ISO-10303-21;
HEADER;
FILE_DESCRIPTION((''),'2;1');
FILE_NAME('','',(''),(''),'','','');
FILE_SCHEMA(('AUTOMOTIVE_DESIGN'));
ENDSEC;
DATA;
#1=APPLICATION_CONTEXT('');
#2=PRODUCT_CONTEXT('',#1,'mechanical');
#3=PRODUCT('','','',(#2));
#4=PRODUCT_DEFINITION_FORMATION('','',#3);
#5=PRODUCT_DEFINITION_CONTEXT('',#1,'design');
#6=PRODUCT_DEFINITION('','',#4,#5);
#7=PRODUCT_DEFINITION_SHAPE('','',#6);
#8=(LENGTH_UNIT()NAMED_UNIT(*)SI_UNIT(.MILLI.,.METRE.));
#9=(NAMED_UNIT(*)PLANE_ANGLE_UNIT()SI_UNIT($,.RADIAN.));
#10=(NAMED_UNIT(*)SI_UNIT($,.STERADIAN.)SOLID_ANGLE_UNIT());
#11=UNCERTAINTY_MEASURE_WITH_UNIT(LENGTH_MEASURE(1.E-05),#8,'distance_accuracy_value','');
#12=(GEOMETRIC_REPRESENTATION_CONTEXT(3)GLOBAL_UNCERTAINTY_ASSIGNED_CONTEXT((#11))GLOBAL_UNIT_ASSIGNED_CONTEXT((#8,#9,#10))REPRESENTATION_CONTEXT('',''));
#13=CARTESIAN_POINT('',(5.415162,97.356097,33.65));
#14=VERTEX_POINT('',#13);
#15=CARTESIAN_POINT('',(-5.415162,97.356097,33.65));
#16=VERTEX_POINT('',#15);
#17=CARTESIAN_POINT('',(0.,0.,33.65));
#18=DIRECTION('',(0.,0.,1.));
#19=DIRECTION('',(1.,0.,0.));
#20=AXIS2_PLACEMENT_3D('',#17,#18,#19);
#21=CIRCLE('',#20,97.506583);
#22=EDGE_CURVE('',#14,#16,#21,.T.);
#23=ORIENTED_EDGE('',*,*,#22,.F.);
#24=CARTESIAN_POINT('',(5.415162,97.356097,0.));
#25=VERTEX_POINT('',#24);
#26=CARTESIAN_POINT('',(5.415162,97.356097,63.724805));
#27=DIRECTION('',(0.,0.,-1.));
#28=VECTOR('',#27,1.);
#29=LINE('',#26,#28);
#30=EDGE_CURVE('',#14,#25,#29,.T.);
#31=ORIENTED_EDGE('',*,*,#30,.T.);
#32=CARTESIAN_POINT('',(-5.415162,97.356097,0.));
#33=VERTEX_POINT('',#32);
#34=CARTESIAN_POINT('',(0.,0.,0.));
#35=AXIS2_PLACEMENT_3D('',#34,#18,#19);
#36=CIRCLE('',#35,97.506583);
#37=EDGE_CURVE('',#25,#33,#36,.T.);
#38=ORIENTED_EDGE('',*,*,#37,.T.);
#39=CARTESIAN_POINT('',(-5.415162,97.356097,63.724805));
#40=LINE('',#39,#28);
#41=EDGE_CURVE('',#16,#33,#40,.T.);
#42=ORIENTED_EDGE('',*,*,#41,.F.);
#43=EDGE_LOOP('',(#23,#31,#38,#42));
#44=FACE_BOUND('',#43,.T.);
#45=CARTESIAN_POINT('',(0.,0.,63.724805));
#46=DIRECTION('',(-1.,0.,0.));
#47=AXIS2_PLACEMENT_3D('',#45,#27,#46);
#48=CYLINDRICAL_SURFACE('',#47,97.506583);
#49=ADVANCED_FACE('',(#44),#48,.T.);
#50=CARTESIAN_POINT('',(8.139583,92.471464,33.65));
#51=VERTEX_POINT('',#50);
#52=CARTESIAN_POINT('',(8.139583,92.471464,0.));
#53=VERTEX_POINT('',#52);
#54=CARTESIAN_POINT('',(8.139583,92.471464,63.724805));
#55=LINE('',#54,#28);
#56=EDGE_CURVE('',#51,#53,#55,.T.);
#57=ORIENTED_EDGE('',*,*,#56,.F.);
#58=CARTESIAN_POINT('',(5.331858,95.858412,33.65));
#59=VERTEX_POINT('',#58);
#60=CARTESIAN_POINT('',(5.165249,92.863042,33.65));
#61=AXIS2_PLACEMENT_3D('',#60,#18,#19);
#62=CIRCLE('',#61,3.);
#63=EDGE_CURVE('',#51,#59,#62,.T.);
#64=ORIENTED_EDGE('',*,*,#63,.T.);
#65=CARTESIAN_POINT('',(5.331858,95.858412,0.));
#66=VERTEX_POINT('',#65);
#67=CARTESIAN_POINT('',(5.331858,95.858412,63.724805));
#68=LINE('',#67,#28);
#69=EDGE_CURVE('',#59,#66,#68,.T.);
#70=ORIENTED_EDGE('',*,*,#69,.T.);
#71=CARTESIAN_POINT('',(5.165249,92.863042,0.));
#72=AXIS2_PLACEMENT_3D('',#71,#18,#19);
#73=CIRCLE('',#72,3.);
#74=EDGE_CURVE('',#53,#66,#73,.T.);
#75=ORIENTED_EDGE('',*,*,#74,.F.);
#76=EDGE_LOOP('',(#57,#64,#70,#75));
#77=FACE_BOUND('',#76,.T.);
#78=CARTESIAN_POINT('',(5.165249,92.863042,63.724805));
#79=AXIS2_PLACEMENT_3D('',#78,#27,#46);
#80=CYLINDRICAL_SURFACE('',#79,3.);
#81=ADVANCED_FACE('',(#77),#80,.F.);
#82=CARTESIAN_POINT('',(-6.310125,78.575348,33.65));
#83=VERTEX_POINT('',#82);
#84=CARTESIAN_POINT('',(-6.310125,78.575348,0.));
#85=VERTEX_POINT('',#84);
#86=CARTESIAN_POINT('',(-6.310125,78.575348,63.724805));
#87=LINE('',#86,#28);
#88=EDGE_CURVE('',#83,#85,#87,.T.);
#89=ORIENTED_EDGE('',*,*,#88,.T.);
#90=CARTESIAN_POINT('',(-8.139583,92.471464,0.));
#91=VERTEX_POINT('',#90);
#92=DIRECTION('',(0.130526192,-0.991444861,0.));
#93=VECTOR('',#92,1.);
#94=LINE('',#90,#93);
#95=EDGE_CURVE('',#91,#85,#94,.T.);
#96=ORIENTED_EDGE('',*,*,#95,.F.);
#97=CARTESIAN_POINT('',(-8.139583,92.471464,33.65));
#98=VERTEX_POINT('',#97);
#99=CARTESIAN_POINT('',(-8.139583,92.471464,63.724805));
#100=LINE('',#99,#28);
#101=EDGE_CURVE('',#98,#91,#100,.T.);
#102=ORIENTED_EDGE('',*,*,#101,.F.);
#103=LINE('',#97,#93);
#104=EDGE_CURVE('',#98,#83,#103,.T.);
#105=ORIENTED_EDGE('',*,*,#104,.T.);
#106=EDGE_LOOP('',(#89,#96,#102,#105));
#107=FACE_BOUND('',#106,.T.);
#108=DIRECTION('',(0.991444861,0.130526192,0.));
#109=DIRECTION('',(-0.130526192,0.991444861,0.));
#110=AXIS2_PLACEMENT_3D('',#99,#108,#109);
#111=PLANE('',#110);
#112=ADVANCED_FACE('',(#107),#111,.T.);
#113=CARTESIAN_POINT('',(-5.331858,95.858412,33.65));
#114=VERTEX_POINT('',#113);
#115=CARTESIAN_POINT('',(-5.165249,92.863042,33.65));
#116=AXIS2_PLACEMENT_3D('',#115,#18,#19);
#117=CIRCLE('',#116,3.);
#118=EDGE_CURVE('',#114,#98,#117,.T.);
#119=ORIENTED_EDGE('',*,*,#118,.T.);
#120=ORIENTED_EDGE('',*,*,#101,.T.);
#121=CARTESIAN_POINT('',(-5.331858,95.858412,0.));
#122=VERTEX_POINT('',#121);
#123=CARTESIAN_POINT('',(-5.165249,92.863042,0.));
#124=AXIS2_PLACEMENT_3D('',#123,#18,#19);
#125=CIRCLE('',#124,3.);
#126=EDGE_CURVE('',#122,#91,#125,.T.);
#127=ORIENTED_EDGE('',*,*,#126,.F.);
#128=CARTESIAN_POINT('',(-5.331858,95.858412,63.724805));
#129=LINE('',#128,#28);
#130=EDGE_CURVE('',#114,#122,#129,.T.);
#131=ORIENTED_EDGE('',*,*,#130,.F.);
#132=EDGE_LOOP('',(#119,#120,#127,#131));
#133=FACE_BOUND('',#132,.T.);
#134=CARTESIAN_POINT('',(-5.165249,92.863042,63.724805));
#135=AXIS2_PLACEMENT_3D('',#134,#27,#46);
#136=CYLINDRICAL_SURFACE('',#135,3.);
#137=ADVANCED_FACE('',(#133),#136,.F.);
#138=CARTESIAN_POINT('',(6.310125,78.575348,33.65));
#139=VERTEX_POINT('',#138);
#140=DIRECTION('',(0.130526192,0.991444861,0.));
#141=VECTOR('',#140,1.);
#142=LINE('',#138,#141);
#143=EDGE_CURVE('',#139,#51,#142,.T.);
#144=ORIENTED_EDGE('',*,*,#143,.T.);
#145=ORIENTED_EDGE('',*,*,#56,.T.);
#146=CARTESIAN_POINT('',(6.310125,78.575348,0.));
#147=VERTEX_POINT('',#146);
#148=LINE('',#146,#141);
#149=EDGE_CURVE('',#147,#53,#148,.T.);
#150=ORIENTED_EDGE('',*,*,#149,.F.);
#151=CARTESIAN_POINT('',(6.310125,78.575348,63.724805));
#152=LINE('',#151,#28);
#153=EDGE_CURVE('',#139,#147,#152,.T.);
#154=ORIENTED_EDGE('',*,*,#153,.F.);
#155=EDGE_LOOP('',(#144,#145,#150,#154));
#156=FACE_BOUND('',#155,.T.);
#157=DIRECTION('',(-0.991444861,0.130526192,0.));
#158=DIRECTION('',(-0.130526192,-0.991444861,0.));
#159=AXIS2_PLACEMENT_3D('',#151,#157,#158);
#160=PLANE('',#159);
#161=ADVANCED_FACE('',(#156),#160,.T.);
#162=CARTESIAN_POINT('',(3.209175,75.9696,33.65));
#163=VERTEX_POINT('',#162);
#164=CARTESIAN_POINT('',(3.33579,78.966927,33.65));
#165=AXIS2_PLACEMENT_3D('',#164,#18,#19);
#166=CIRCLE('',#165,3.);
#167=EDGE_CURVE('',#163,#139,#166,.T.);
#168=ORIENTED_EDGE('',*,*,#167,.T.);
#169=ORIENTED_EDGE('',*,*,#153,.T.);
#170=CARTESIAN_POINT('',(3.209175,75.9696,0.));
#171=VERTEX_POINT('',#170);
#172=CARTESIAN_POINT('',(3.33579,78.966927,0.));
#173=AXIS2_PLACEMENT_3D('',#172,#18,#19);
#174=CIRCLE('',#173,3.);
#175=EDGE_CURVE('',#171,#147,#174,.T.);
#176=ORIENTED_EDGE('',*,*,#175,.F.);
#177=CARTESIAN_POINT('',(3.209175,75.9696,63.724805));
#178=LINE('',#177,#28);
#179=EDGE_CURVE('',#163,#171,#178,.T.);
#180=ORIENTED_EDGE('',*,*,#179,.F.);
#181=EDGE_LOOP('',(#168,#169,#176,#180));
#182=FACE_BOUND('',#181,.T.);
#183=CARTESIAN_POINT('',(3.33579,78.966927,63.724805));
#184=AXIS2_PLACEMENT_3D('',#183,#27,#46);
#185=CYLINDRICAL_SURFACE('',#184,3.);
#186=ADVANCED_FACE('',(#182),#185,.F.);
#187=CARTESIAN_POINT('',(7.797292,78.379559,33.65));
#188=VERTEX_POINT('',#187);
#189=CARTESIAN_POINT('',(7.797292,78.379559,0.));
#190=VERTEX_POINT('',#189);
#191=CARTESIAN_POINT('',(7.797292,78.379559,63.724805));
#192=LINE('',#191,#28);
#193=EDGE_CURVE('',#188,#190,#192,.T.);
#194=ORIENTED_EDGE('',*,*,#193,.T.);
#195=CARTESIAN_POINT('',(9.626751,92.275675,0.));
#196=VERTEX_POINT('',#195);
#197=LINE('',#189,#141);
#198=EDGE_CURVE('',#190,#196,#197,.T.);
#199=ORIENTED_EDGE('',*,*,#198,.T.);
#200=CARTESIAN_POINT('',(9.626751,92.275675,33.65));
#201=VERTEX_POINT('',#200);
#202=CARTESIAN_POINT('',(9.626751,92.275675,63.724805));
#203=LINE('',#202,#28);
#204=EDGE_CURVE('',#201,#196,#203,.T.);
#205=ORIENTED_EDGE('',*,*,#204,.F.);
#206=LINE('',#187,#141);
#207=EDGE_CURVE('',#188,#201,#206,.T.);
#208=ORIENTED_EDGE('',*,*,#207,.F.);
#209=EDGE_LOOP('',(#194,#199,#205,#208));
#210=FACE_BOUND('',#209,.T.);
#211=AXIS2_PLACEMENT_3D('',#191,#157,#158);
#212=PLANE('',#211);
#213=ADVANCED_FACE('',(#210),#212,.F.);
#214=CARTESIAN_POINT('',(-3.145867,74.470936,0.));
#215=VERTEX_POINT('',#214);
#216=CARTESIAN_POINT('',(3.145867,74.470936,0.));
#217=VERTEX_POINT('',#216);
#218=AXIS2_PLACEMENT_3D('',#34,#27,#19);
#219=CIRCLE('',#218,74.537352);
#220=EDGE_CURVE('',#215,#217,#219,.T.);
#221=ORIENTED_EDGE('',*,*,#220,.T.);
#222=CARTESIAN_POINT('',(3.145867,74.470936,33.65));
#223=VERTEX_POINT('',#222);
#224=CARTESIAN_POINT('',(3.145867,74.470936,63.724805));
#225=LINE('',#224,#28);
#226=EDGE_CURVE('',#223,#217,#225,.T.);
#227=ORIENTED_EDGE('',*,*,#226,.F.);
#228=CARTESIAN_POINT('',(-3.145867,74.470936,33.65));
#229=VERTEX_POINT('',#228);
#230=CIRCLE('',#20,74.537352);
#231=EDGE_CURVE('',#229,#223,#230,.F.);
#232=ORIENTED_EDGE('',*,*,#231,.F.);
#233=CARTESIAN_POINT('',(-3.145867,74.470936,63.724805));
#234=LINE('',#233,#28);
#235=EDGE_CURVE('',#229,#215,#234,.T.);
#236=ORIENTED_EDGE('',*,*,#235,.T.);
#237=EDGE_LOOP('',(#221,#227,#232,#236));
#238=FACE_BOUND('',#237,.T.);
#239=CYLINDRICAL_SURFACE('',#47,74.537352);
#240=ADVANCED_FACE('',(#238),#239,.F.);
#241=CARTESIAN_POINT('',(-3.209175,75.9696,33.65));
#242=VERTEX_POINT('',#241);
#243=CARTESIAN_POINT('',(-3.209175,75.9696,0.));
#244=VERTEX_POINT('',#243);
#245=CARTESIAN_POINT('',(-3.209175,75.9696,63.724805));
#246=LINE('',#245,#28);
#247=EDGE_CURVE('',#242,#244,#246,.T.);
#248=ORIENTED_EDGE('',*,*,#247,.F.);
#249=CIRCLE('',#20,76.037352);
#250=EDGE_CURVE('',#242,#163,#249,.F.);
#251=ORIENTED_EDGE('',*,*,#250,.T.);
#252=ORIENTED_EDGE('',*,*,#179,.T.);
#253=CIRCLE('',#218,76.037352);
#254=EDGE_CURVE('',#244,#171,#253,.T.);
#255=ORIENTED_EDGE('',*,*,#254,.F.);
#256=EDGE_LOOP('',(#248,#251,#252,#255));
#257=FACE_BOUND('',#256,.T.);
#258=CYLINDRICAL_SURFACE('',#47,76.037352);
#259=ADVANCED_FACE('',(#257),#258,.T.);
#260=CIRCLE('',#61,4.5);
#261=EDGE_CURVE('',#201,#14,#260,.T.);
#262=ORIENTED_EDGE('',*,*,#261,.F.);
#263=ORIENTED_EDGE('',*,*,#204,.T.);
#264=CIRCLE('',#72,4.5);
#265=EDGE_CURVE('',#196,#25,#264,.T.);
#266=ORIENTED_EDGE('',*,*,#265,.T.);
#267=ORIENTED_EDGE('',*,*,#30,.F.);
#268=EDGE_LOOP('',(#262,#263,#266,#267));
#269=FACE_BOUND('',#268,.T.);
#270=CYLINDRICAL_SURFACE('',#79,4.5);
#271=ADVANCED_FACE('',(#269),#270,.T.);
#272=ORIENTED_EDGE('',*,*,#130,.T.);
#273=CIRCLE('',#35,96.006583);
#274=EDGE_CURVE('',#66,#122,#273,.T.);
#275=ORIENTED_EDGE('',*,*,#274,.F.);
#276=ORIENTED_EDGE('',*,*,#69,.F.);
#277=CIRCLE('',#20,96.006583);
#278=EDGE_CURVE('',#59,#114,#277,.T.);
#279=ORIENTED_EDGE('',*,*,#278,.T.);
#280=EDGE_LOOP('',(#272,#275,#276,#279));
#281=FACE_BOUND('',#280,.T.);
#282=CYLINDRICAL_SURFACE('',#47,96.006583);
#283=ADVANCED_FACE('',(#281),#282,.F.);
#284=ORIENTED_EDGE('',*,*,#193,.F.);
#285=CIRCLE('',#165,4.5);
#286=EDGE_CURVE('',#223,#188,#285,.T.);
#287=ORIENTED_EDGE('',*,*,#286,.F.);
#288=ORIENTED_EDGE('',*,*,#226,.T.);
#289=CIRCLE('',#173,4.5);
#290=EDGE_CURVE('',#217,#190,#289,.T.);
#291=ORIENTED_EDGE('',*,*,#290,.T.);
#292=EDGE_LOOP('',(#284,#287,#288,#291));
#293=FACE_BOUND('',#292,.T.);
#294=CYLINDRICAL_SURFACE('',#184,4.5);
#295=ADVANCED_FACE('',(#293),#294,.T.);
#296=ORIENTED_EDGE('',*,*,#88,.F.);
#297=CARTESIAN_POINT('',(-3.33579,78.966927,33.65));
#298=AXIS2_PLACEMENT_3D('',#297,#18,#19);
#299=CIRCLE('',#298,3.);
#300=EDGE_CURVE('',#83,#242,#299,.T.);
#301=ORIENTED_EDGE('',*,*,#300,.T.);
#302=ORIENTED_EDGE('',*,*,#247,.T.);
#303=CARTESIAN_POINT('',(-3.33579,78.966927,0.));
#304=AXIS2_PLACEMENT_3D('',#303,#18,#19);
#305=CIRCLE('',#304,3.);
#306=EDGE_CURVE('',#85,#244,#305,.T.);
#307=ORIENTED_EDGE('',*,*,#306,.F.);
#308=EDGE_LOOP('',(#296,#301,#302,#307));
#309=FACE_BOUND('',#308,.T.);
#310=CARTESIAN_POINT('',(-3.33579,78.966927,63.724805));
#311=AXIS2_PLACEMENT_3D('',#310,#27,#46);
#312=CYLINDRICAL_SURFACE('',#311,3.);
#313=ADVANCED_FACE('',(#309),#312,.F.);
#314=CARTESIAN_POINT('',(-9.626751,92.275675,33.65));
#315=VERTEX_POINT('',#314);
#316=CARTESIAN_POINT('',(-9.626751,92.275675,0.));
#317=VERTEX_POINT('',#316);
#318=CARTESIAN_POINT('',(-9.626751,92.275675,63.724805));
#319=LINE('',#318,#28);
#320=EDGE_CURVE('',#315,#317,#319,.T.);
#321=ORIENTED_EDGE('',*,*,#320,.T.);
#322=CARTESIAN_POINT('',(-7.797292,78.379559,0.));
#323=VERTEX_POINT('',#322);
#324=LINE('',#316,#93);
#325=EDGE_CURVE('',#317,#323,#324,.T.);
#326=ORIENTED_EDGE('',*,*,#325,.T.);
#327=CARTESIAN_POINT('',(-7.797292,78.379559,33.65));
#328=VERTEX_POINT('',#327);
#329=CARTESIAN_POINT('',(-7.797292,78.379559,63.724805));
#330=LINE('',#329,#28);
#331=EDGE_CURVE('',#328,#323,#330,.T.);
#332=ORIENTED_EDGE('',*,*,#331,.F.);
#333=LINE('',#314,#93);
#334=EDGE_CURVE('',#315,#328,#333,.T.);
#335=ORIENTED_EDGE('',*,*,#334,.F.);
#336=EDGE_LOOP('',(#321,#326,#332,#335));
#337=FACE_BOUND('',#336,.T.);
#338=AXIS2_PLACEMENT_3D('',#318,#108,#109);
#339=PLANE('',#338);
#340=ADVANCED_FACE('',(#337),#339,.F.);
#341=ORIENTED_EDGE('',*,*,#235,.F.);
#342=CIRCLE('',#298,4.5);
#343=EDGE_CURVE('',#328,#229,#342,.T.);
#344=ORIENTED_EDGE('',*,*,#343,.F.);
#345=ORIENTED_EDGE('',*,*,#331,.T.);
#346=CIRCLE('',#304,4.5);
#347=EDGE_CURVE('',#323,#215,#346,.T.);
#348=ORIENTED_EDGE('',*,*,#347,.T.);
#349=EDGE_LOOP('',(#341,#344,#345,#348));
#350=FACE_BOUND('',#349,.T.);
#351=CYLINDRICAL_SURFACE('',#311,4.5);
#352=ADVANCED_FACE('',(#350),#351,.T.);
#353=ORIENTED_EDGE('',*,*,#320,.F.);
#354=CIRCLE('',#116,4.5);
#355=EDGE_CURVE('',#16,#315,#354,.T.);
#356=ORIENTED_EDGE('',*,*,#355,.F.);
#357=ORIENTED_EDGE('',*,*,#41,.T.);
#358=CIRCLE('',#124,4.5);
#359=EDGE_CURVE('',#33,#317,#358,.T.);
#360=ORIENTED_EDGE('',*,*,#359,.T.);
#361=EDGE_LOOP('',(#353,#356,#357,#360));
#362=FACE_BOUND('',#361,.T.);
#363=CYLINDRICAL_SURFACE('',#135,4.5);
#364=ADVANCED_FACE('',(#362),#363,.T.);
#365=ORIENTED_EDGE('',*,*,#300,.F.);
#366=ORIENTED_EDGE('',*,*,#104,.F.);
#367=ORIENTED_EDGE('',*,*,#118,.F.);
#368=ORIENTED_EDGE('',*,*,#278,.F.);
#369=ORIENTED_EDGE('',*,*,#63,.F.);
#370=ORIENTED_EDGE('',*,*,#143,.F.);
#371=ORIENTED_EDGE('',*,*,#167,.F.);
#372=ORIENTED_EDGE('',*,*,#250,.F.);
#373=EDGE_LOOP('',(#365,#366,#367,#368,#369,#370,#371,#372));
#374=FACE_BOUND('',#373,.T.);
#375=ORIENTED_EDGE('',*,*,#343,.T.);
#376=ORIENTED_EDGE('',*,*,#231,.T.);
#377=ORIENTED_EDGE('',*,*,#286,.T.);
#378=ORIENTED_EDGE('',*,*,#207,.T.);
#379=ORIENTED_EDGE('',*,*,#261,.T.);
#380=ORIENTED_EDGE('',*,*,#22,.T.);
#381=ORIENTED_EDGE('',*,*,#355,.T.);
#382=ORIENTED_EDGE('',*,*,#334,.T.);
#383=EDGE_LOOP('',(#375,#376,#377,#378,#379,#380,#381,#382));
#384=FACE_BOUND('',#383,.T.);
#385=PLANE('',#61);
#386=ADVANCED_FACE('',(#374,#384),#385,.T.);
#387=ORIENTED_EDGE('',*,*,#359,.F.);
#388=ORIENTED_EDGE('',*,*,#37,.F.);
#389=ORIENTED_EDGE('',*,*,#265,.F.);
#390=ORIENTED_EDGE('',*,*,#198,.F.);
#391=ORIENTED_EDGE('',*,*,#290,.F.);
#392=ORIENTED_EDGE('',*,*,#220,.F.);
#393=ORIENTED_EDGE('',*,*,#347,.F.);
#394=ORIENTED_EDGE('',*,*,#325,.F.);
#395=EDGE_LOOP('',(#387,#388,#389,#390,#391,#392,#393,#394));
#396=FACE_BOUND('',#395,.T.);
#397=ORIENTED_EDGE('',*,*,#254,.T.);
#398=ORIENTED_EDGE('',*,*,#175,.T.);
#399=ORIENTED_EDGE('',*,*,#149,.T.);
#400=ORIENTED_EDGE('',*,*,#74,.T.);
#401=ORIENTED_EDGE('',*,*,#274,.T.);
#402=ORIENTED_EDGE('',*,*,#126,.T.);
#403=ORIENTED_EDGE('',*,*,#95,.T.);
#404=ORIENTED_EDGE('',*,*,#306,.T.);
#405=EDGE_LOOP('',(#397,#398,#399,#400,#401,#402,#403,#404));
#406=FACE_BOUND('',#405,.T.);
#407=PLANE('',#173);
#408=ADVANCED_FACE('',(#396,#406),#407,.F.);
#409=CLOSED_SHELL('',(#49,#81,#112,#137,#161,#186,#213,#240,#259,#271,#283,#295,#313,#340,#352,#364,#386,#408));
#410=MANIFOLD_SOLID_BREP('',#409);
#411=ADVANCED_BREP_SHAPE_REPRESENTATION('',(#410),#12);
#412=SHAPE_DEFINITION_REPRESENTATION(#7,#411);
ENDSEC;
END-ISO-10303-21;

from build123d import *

# Parameters (mm, degrees)
BOSS_EXTRUDE1_DEPTH = 33.65


with BuildPart() as part:
    # Sketch1 → Boss-Extrude1 (new body)
    with BuildSketch(Plane.XY):
        with BuildLine():
            Line((7.797292276, 78.37955881), (9.626750626, 92.275674602))
            ThreePointArc((9.626750626, 92.275674602), (8.629643832, 95.734969819), (5.415162452, 97.356097457))
            ThreePointArc((5.415162452, 97.356097457), (0, 97.506582836), (-5.415162452, 97.356097457))
            ThreePointArc((-5.415162452, 97.356097457), (-8.629643832, 95.734969819), (-9.626750626, 92.275674602))
            Line((-9.626750626, 92.275674602), (-7.797292276, 78.37955881))
            ThreePointArc((-7.797292276, 78.37955881), (-6.230773591, 75.521774672), (-3.14586682, 74.470936347))
            ThreePointArc((-3.14586682, 74.470936347), (0, 74.537351968), (3.14586682, 74.470936347))
            ThreePointArc((3.14586682, 74.470936347), (6.230773591, 75.521774672), (7.797292276, 78.37955881))
        make_face()
        with BuildLine():
            Line((-8.139583334, 92.47146389), (-6.310124984, 78.575348099))
            ThreePointArc((-6.310124984, 78.575348099), (-5.265779194, 76.670158673), (-3.20917468, 75.96959979))
            ThreePointArc((-3.20917468, 75.96959979), (0, 76.037351968), (3.20917468, 75.96959979))
            ThreePointArc((3.20917468, 75.96959979), (5.265779194, 76.670158673), (6.310124984, 78.575348099))
            Line((6.310124984, 78.575348099), (8.139583334, 92.47146389))
            ThreePointArc((8.139583334, 92.47146389), (7.474845471, 94.777660702), (5.331857885, 95.85841246))
            ThreePointArc((5.331857885, 95.85841246), (0, 96.006582836), (-5.331857885, 95.85841246))
            ThreePointArc((-5.331857885, 95.85841246), (-7.474845471, 94.777660702), (-8.139583334, 92.47146389))
        make_face(mode=Mode.SUBTRACT)
    extrude(amount=BOSS_EXTRUDE1_DEPTH)


solid = part.part
